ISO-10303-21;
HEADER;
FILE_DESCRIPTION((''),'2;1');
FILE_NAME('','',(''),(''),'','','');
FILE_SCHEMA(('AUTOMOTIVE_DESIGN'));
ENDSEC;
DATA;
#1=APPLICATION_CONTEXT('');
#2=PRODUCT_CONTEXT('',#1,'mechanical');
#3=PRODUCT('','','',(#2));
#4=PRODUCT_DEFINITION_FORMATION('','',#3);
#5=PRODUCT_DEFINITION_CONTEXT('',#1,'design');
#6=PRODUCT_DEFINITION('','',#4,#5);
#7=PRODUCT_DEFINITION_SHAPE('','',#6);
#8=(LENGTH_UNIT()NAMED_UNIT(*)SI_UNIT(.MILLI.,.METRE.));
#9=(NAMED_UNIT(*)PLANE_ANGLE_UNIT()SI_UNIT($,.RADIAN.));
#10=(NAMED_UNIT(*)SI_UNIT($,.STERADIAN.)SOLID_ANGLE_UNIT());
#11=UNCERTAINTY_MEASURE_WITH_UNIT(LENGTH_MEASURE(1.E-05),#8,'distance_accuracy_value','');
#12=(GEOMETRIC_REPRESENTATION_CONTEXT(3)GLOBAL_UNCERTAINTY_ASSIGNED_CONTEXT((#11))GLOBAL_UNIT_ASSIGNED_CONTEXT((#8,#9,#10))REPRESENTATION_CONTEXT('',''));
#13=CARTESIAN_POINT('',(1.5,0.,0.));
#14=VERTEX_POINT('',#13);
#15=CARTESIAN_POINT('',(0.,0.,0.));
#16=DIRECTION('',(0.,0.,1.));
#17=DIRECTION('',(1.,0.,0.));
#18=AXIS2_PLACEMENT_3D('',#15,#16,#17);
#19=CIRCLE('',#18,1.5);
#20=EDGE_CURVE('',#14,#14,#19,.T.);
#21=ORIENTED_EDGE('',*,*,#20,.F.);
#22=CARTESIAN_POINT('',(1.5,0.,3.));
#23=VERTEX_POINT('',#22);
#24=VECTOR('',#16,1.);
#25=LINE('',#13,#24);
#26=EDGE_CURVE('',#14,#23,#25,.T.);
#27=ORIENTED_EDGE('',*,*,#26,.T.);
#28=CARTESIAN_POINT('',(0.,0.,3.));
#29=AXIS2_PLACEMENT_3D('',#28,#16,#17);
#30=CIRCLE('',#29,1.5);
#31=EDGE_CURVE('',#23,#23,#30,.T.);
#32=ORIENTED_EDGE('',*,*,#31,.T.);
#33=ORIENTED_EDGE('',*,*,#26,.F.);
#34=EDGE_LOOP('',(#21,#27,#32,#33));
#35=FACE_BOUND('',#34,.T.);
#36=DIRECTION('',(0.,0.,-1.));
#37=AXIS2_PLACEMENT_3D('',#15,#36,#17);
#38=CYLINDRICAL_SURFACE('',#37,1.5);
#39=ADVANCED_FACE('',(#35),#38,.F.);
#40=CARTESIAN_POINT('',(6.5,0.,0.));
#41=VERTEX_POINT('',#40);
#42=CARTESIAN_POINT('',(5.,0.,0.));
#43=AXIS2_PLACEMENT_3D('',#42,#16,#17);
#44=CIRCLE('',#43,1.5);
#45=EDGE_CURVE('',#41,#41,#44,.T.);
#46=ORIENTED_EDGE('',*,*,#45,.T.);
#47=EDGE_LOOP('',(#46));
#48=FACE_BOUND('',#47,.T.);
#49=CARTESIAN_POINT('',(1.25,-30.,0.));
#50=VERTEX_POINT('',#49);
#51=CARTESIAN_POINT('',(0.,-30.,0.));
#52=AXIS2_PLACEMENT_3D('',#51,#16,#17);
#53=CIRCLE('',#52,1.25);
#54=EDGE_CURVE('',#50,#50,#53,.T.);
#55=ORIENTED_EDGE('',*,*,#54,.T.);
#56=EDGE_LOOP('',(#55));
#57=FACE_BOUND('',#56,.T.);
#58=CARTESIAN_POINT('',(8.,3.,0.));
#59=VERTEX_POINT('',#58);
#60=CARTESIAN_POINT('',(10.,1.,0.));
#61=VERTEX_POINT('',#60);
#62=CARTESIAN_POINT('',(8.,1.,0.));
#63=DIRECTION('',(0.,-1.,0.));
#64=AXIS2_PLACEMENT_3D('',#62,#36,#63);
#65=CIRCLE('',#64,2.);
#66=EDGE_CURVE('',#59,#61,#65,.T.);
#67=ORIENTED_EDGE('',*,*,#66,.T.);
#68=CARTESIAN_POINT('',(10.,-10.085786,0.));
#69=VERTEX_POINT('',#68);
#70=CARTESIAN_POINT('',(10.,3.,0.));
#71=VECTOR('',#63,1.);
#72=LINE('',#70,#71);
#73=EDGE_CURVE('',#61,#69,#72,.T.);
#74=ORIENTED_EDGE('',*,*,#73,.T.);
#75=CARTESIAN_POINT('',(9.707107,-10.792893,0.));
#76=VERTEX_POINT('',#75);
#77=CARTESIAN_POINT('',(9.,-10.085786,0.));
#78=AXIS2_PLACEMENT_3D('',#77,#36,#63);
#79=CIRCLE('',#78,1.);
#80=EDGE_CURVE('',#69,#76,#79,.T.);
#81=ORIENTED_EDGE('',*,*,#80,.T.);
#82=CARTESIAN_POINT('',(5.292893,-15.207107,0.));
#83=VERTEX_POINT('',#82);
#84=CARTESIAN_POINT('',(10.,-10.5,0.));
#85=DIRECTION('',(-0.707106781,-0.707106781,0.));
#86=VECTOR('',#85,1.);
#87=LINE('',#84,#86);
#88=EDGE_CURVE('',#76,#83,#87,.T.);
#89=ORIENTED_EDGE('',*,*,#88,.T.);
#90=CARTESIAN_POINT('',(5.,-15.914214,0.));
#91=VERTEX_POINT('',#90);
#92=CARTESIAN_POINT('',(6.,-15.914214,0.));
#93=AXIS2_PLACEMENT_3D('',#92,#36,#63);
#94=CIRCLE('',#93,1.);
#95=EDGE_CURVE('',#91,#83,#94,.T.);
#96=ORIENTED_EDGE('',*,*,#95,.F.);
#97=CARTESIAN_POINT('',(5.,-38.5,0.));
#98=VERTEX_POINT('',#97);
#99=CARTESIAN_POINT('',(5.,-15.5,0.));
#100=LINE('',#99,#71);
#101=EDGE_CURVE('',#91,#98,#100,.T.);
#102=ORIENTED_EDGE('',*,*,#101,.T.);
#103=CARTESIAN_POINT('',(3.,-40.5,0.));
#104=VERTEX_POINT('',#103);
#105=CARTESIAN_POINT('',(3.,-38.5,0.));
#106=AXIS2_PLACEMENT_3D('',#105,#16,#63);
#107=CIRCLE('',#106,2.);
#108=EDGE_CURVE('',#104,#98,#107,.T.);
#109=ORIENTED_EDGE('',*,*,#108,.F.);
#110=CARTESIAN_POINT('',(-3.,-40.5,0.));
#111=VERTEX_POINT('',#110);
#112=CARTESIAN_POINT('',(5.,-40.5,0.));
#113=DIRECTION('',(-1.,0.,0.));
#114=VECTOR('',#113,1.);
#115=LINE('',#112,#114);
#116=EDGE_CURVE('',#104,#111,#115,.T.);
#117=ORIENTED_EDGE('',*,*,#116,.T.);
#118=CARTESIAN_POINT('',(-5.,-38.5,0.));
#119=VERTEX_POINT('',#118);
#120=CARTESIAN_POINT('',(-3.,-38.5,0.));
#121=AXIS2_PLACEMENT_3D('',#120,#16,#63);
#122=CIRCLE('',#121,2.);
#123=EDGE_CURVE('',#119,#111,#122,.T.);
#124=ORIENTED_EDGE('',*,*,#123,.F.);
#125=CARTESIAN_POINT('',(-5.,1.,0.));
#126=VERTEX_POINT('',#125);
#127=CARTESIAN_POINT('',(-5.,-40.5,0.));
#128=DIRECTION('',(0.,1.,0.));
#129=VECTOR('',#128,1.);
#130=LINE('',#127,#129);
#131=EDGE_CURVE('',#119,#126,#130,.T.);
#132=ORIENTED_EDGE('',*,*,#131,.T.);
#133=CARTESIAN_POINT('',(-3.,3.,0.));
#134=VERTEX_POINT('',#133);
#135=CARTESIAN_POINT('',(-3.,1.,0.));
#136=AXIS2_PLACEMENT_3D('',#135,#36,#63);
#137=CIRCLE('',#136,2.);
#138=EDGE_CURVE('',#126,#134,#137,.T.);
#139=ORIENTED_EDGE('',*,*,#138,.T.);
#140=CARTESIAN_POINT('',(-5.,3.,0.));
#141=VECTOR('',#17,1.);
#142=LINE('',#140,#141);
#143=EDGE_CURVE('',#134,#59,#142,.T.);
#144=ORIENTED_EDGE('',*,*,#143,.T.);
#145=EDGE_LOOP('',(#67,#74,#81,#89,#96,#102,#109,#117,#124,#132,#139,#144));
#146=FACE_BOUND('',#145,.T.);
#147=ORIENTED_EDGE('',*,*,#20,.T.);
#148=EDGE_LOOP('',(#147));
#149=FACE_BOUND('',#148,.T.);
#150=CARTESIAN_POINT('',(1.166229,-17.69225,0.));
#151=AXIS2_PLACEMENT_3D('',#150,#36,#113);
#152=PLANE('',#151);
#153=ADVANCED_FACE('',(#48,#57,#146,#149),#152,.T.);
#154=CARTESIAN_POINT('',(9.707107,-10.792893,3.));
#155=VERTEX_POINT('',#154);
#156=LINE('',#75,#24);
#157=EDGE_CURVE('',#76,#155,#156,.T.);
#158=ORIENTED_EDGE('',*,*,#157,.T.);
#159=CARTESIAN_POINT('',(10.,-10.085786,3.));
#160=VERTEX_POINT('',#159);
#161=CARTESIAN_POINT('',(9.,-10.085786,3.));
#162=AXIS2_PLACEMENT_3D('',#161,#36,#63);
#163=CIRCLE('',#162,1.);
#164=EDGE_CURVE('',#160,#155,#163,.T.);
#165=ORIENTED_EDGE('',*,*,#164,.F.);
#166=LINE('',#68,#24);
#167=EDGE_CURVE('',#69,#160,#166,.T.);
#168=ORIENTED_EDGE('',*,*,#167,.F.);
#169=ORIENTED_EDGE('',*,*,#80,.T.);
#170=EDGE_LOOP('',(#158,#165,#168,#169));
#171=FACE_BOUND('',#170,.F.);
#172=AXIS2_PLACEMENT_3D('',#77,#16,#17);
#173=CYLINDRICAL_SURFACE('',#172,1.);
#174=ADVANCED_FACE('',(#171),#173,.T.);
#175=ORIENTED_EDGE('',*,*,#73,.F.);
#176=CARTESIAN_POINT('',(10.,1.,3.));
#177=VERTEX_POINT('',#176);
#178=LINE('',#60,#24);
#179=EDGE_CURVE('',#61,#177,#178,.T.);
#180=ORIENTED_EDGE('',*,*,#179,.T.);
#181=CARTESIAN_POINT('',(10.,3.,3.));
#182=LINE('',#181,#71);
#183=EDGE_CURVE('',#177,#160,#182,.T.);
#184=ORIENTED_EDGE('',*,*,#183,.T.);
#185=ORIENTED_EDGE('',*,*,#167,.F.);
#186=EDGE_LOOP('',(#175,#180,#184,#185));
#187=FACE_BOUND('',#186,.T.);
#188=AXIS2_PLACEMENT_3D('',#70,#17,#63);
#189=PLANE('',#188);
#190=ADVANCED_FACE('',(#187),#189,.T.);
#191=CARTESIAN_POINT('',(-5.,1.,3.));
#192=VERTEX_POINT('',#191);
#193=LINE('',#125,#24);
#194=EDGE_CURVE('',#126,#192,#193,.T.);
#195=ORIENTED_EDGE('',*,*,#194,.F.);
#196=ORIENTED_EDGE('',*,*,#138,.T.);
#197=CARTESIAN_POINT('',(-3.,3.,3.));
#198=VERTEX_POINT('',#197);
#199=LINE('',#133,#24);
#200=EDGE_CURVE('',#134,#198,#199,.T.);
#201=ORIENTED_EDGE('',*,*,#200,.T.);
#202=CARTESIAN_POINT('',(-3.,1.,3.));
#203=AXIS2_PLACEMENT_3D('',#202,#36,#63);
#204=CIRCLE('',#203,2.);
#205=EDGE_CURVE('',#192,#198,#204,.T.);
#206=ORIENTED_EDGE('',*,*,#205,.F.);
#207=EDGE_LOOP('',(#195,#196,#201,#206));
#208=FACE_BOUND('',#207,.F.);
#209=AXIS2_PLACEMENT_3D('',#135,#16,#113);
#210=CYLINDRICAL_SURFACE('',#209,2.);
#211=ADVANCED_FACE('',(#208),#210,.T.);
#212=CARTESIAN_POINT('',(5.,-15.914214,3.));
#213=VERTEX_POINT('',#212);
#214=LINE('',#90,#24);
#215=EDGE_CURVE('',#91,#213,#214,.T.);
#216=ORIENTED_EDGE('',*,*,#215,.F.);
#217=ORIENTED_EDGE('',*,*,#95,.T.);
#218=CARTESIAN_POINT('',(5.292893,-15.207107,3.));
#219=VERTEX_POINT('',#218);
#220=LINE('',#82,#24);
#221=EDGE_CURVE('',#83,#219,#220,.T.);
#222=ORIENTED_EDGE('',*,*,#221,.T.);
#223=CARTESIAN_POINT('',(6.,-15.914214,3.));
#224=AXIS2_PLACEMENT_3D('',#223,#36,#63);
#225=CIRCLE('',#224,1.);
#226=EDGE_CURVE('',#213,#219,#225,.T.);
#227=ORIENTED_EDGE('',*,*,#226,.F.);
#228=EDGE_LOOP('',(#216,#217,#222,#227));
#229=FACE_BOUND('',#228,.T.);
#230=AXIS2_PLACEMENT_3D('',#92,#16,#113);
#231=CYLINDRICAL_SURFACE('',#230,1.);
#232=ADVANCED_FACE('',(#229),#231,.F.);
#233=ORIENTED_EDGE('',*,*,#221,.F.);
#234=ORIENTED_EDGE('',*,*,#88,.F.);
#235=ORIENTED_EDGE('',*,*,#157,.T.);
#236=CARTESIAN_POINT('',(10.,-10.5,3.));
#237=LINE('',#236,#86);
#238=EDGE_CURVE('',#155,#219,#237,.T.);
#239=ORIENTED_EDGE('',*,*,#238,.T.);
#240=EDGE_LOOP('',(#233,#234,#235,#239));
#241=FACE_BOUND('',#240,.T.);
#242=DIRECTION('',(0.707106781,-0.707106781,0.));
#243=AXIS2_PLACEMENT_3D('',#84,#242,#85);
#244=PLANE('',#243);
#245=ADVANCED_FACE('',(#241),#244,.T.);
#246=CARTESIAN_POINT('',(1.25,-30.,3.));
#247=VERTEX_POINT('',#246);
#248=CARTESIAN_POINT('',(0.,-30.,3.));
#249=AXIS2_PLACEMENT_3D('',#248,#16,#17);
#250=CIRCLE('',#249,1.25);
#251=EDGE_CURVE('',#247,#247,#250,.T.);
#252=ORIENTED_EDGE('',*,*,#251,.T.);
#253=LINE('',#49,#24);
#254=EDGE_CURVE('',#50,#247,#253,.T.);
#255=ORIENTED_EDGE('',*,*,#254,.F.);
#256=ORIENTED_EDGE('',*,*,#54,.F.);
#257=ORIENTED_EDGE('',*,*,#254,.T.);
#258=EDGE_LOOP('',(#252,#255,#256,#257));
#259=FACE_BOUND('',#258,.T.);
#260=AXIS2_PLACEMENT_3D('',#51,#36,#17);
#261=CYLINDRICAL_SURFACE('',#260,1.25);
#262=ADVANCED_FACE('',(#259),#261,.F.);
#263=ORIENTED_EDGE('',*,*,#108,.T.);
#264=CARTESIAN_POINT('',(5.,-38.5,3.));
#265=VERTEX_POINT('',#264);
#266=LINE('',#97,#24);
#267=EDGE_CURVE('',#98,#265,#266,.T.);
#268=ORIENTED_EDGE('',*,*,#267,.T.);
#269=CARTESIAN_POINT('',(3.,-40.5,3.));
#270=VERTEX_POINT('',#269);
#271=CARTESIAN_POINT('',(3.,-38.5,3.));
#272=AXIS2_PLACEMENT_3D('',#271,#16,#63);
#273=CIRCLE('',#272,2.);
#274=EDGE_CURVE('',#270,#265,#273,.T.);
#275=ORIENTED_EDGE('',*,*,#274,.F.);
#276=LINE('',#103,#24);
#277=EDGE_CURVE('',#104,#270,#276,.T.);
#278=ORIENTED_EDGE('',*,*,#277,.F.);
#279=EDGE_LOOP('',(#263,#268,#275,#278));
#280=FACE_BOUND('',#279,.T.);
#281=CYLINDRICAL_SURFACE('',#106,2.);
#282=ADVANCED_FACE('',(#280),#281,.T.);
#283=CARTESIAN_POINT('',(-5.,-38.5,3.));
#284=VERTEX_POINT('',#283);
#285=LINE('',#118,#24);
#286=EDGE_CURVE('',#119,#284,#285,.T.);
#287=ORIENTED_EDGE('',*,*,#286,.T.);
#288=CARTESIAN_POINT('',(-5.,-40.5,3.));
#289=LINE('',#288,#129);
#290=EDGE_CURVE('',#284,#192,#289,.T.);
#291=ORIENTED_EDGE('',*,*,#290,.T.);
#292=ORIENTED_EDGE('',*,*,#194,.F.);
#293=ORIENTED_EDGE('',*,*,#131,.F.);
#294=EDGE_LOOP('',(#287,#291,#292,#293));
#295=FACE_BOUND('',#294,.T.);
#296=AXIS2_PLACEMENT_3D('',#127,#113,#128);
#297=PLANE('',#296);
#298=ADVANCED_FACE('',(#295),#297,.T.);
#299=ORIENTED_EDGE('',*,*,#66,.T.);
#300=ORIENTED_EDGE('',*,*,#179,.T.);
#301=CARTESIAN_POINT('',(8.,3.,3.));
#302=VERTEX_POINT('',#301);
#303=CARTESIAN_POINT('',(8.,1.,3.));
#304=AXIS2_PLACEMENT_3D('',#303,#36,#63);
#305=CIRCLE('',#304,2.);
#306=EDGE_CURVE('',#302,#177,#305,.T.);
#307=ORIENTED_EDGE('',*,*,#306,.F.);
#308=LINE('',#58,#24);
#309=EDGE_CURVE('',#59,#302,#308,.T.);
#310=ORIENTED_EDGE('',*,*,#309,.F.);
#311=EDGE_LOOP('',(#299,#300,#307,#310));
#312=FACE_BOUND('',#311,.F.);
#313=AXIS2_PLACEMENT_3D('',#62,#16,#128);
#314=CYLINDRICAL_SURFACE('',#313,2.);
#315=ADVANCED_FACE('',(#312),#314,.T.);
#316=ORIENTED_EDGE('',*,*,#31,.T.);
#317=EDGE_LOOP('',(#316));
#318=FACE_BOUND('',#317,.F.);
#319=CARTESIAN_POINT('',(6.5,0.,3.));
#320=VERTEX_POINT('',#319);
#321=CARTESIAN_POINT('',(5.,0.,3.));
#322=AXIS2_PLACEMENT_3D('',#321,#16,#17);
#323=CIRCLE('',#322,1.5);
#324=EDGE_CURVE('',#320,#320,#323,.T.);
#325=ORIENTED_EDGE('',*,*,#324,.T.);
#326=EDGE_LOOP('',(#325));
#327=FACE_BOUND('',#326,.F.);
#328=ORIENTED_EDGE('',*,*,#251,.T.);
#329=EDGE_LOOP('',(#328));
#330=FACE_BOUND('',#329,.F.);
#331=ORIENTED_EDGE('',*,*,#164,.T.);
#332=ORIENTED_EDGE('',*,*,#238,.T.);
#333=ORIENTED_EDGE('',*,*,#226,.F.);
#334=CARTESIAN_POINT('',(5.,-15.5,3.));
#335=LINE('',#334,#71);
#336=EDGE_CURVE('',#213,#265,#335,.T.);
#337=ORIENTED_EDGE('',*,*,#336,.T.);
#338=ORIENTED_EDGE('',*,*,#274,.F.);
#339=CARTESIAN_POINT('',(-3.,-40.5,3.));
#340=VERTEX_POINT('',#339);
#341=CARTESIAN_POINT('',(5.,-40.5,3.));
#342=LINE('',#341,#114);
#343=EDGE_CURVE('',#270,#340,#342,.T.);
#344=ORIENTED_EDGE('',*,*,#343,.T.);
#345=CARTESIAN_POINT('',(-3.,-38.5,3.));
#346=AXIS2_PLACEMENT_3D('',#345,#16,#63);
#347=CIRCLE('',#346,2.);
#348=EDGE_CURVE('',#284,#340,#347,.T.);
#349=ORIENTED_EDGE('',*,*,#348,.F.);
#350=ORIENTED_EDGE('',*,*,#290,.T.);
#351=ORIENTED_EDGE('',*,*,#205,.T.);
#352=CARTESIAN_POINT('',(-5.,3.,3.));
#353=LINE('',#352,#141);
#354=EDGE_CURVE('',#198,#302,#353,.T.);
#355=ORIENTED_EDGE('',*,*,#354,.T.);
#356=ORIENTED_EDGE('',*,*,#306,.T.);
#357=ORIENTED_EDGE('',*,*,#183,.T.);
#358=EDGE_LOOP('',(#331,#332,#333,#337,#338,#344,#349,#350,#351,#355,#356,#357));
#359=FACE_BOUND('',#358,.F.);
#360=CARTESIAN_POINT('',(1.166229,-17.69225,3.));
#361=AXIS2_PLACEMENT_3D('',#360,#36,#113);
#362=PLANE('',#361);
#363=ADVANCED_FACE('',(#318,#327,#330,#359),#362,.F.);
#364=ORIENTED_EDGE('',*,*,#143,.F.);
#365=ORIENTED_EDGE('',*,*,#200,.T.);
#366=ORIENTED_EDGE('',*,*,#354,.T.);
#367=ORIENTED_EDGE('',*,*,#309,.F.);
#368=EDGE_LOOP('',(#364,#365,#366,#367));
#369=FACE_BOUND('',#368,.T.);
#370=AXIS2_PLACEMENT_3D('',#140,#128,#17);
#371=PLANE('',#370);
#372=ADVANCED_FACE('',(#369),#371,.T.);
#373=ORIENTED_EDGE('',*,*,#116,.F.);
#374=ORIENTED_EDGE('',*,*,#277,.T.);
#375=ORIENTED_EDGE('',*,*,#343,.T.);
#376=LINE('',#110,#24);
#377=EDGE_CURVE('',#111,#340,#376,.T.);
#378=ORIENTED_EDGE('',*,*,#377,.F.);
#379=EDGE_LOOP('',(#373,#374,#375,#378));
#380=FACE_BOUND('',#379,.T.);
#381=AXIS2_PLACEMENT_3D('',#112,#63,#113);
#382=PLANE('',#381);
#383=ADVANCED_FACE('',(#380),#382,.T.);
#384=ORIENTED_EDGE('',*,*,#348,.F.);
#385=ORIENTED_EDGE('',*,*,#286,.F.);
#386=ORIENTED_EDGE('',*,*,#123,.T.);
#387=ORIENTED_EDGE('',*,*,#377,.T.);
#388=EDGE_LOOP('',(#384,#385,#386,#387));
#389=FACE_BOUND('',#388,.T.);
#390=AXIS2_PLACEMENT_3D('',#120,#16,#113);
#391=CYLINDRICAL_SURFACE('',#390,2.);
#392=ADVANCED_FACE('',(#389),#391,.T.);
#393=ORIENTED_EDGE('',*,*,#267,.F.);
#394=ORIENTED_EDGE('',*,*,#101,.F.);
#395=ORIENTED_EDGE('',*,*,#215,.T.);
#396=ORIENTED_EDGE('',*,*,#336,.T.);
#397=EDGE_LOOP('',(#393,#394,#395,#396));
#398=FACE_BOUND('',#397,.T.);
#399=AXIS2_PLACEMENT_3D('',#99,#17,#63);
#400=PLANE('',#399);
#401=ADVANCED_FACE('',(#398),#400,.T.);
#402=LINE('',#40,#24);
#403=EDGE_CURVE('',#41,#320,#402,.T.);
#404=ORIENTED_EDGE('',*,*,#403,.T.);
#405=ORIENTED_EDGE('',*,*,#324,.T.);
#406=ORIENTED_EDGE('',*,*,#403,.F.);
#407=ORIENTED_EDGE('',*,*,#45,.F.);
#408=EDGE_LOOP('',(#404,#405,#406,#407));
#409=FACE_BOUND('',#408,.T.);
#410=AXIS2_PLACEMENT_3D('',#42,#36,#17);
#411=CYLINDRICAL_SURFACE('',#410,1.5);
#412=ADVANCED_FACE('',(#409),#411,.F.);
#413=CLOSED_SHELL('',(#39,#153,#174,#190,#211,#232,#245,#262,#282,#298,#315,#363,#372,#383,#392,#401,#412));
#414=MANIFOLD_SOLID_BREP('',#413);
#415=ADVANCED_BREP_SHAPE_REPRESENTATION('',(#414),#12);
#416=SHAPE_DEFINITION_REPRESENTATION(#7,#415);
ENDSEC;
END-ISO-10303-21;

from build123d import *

# Parameters (mm, degrees)
SKETCH_R    = 1.5
SKETCH_R_2  = 1.25
PAD_DEPTH   = 3
FILLET_R    = 2
FILLET001_R = 1


with BuildPart() as part:
    # Sketch → Pad (new body)
    with BuildSketch(Plane.XY):
        Polygon((-5, -40.5), (-5, 3), (10, 3), (10, -10.5), (5, -15.5), (5, -40.5), align=None)
        Circle(SKETCH_R, mode=Mode.SUBTRACT)
        with Locations((5, 0)):
            Circle(SKETCH_R, mode=Mode.SUBTRACT)
        with Locations((0, -30)):
            Circle(SKETCH_R_2, mode=Mode.SUBTRACT)
    extrude(amount=PAD_DEPTH)

    # Fillet
    fillet_edges = [part.edges().sort_by_distance(p)[0] for p in [
        (10, 3, 1.5),
        (-5, 3, 1.5),
        (-5, -40.5, 1.5),
        (5, -40.5, 1.5),
    ]]
    fillet(fillet_edges, radius=FILLET_R)

    # Fillet001
    fillet001_edges = [part.edges().sort_by_distance(p)[0] for p in [
        (10, -10.5, 1.5),
        (5, -15.5, 1.5),
    ]]
    fillet(fillet001_edges, radius=FILLET001_R)


solid = part.part
